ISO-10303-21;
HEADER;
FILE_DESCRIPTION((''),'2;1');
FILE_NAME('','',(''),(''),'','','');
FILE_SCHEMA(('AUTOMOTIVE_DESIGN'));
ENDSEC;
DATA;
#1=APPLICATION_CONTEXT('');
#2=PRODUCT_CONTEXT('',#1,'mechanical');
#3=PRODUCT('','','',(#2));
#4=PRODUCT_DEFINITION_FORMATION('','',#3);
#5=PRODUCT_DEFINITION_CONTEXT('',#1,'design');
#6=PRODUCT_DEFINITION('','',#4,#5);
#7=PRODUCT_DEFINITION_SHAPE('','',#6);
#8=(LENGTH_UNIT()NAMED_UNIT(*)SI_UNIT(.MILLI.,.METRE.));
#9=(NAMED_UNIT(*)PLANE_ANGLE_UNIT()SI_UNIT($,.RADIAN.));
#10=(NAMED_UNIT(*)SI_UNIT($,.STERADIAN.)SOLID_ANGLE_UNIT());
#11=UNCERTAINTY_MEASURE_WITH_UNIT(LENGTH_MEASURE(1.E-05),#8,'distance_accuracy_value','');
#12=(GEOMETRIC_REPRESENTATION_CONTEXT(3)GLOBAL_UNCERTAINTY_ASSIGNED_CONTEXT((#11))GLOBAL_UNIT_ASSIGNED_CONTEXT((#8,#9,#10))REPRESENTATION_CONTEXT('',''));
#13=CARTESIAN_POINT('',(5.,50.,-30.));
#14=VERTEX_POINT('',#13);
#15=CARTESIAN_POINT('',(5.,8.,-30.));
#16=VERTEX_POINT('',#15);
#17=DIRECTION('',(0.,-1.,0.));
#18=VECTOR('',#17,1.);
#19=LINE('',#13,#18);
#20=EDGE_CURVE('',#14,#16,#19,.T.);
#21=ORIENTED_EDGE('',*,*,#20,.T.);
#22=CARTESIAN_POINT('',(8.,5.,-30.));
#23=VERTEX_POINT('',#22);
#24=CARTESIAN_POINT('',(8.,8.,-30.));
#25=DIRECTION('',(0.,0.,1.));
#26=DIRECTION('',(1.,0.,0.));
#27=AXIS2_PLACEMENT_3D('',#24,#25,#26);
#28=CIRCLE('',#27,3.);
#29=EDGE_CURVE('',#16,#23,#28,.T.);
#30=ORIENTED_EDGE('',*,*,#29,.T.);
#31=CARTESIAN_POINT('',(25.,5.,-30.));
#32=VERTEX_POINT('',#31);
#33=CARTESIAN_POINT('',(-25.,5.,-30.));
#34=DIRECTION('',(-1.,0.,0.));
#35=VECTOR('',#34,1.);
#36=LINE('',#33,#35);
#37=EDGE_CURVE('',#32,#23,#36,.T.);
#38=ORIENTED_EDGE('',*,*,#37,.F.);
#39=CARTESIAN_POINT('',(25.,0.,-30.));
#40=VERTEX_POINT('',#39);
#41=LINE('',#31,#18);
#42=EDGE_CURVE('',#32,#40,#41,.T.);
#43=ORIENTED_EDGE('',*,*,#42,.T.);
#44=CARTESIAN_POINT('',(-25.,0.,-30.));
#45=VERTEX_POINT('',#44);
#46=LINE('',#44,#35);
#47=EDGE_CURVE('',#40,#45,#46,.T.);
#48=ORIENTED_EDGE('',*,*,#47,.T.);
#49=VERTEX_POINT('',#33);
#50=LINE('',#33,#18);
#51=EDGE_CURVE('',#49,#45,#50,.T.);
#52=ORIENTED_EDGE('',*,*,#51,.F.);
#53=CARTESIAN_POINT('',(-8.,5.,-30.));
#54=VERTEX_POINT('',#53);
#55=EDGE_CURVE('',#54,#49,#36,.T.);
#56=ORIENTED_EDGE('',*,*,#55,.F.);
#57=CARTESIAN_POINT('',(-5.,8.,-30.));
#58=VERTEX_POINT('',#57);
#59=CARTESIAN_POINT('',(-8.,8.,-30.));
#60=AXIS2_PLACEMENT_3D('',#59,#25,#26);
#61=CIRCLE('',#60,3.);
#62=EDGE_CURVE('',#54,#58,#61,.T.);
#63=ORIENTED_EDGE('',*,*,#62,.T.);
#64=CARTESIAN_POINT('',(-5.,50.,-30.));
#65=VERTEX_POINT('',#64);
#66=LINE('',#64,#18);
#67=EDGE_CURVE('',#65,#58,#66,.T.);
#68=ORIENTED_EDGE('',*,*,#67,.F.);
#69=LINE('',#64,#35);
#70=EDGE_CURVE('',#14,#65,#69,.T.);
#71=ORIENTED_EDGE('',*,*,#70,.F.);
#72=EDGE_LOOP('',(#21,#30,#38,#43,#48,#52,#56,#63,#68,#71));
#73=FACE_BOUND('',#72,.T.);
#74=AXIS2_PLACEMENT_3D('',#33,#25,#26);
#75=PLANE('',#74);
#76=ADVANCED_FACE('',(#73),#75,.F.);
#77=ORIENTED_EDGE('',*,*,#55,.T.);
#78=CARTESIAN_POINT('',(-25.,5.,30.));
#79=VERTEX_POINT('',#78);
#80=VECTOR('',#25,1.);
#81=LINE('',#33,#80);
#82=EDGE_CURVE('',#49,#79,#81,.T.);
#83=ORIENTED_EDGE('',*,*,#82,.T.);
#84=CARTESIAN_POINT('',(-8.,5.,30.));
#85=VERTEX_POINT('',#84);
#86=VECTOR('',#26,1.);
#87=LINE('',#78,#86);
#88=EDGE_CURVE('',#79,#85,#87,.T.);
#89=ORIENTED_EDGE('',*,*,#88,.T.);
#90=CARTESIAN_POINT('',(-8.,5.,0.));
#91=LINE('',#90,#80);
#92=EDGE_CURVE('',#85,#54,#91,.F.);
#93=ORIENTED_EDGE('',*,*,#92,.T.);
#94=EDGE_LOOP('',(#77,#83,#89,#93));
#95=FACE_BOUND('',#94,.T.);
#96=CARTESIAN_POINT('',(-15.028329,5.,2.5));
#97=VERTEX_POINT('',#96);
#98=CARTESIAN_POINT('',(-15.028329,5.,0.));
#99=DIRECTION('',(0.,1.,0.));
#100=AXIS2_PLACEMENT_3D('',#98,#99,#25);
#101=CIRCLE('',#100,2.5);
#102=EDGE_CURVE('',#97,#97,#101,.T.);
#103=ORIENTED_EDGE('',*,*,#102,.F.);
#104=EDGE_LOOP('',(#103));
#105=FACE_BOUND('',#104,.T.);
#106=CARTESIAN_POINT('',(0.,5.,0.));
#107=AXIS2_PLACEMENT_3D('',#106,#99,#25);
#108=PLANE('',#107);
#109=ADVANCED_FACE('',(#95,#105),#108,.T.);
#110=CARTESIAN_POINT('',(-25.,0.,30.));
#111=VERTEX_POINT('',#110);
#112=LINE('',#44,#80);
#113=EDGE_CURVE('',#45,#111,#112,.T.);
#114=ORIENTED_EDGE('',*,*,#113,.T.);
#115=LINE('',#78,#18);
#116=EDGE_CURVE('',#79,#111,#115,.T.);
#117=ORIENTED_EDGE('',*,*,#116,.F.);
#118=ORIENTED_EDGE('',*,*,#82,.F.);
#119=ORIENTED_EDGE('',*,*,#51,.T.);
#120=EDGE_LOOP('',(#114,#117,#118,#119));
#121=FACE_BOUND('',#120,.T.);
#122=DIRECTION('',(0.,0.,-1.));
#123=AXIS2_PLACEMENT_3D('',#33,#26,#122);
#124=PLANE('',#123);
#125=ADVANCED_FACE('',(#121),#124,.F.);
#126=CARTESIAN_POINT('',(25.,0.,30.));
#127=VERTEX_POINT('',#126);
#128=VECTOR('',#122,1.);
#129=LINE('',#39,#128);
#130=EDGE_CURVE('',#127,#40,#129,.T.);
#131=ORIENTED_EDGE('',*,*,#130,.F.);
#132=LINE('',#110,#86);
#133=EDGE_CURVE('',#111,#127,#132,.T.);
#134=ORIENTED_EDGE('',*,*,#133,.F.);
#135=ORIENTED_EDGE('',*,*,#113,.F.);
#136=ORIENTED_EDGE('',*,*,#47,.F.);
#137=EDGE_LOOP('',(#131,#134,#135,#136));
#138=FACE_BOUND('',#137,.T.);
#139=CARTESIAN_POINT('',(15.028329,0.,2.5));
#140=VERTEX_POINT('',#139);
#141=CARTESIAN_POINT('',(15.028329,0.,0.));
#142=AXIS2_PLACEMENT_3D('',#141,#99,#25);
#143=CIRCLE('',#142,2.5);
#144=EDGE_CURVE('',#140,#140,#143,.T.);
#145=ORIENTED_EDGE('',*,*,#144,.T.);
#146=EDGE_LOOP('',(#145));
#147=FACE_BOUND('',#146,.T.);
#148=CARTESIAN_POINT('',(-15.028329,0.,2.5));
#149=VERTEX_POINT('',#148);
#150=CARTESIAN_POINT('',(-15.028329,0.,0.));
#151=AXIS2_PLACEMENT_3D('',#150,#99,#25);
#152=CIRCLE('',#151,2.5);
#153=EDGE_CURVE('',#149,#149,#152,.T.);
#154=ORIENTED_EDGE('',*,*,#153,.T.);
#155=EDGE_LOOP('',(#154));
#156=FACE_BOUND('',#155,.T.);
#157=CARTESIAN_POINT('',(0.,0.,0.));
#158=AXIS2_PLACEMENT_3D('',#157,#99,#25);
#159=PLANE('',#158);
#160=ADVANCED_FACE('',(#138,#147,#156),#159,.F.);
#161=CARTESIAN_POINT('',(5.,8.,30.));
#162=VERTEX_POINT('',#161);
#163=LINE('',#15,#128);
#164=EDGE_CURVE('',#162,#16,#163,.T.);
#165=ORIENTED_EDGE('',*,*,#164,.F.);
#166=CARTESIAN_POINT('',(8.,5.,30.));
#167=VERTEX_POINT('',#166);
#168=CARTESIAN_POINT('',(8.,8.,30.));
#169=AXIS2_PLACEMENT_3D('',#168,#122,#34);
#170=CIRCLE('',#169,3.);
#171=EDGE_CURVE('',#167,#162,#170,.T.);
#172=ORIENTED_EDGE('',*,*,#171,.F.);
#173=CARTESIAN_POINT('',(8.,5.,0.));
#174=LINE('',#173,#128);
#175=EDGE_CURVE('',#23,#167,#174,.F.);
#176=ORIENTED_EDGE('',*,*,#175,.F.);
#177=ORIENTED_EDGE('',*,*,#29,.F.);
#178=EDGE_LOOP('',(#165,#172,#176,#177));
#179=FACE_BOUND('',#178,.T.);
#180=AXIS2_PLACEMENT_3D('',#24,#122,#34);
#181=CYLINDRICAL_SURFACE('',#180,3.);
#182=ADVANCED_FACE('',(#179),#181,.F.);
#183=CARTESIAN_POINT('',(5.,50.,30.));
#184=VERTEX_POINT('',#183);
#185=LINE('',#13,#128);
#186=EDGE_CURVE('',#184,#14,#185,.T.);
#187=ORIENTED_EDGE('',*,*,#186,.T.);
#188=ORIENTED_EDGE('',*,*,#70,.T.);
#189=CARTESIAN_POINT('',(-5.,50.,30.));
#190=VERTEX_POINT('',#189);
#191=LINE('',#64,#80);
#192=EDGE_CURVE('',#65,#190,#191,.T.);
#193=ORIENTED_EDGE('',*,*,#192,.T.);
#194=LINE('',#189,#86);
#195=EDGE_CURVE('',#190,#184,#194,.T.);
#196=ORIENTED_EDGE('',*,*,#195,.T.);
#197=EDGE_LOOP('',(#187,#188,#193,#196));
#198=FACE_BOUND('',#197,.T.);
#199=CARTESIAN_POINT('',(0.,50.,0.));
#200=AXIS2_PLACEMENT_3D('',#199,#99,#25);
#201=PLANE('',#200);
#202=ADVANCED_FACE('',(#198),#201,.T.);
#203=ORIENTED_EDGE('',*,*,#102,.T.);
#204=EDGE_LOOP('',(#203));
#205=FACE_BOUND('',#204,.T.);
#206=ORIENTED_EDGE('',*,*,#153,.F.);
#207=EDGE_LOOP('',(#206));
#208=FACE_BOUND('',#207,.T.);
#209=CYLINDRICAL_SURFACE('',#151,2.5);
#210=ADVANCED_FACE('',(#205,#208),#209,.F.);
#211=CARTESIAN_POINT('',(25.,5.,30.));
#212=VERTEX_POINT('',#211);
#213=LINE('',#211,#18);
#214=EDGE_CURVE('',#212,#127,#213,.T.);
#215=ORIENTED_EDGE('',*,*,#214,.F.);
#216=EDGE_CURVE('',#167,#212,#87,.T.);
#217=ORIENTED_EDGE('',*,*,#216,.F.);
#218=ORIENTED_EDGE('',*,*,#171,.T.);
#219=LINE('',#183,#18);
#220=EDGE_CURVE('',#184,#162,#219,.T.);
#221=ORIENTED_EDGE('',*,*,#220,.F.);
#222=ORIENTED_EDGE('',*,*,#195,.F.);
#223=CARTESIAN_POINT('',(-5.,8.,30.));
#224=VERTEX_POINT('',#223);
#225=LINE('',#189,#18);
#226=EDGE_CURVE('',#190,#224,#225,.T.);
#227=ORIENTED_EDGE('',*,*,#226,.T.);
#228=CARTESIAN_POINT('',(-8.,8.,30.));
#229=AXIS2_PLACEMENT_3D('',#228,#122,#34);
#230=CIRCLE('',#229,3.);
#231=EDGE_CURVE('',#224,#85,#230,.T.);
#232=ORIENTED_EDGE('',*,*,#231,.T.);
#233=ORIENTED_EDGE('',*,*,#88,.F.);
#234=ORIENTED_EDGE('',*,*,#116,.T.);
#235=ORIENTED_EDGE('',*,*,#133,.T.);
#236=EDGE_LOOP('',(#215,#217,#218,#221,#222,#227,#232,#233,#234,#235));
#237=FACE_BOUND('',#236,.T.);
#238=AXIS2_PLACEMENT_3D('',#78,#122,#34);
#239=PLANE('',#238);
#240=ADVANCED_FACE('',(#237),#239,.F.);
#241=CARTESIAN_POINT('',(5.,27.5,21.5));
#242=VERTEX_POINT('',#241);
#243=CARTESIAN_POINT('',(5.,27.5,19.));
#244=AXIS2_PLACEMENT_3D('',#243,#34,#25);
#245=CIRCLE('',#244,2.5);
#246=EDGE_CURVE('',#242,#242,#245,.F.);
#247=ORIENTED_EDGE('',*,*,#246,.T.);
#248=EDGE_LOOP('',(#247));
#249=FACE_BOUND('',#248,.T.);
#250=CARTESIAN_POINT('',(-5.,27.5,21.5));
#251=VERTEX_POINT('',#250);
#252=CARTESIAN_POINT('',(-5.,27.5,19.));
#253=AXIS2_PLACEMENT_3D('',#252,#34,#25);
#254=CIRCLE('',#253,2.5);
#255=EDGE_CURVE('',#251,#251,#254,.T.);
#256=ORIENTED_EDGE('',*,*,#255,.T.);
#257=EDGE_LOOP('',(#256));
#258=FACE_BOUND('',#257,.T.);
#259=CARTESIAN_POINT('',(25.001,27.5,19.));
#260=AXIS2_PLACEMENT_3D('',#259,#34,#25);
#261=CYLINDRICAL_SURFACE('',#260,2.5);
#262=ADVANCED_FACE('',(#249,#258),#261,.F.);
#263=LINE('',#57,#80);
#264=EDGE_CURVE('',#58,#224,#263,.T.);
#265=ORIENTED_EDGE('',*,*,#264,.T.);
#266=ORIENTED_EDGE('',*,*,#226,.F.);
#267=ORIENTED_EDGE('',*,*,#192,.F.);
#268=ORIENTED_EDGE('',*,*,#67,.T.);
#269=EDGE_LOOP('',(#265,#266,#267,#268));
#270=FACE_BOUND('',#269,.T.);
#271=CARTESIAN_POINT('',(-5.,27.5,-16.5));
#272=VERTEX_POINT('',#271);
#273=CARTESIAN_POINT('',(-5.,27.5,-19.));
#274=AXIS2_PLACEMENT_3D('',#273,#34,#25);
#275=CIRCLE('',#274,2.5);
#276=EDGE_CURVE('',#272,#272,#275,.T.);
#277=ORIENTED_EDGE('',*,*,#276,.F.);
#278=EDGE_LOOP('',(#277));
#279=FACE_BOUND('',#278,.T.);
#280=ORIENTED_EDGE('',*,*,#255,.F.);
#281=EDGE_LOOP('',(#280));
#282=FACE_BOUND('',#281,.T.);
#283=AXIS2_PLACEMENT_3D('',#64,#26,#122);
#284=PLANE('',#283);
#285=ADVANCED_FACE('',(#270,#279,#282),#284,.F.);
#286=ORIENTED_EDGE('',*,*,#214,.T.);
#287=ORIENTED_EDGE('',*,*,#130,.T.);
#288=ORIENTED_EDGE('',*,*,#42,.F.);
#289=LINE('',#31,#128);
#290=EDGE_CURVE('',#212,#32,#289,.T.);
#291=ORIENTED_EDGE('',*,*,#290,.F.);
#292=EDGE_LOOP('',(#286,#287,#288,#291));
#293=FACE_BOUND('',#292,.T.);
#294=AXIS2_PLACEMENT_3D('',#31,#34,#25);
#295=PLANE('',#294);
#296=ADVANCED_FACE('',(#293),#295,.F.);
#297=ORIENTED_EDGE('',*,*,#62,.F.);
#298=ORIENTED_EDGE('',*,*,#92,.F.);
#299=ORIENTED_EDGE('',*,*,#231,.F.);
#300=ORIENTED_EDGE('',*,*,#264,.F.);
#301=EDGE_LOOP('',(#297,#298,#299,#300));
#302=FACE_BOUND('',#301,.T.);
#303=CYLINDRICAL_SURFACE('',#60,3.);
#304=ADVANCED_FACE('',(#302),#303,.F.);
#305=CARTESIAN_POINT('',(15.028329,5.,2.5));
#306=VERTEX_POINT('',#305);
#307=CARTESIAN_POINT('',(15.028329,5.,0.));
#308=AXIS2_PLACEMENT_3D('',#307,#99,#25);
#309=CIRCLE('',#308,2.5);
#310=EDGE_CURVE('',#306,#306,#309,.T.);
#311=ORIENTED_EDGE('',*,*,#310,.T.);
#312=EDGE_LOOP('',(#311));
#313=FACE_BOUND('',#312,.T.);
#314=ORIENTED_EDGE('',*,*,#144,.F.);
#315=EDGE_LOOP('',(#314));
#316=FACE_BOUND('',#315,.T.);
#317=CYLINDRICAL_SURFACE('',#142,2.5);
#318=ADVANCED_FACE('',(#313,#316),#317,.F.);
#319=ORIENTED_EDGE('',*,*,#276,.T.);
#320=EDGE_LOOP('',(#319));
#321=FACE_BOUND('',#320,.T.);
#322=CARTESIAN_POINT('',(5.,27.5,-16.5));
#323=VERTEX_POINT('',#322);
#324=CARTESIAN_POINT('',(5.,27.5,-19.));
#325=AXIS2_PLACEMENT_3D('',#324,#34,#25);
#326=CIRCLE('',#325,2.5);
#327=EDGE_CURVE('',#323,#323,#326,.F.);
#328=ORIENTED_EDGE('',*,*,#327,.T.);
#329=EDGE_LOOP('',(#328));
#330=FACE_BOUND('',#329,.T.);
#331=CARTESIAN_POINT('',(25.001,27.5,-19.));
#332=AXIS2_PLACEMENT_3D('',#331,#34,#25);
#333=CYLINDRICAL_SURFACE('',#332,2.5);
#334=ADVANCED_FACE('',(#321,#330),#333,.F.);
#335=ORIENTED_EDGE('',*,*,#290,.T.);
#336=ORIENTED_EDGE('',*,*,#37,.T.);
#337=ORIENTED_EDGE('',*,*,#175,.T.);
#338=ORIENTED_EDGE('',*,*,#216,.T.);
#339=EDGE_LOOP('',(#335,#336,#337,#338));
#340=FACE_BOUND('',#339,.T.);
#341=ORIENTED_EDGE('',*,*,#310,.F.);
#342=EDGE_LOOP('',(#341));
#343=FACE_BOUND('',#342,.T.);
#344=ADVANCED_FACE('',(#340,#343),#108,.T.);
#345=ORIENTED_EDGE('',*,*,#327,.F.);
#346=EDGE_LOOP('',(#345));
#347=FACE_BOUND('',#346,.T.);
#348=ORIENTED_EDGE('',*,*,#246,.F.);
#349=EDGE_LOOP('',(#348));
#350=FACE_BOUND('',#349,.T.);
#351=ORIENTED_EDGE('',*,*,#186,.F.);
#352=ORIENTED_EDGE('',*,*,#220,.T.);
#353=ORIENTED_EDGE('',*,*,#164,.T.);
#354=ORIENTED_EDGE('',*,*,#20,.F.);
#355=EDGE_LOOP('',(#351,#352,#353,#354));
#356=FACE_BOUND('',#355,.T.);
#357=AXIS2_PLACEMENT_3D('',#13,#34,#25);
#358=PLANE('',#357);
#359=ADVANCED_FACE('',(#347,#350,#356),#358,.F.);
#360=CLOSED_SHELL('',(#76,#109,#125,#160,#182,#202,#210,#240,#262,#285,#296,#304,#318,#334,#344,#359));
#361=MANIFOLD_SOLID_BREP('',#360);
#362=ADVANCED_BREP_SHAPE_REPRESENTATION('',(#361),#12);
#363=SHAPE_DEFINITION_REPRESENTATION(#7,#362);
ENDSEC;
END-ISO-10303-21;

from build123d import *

# Parameters (mm, degrees)
SKETCH1_W           = 50
SKETCH1_H           = 60
BOSS_EXTRUDE1_DEPTH = 5
SKETCH2_W           = 10
SKETCH2_H           = 60
BOSS_EXTRUDE2_DEPTH = 45
SKETCH3_R           = 2.5
CUT_EXTRUDE1_DEPTH  = 60.581876439
CUT_EXTRUDE2_REACH  = 67.574
SKETCH5_R           = 2.5
FILLET1_R           = 3


with BuildPart() as part:
    # Sketch1 → Boss-Extrude1 (new body)
    with BuildSketch(Plane(origin=(0, 0, 0), x_dir=(1, 0, 0), z_dir=(0, 1, 0))):
        Rectangle(SKETCH1_W, SKETCH1_H)
    extrude(amount=BOSS_EXTRUDE1_DEPTH)

    # Sketch2 → Boss-Extrude2 (add)
    with BuildSketch(Plane(origin=(0, 5, 0), x_dir=(1, 0, 0), z_dir=(0, 1, 0))):
        Rectangle(SKETCH2_W, SKETCH2_H)
    extrude(amount=BOSS_EXTRUDE2_DEPTH)

    # Sketch3 → Cut-Extrude1 (cut, through all)
    with BuildSketch(Plane(origin=(0, 5, 0), x_dir=(1, 0, 0), z_dir=(0, 1, 0))):
        with Locations(Location((-15.028328695, 0, 0), (0, 0, 270))):
            Circle(SKETCH3_R)
        with Locations(Location((15.028328695, 0, 0), (0, 0, 270))):
            Circle(SKETCH3_R)
    extrude(amount=-CUT_EXTRUDE1_DEPTH, mode=Mode.SUBTRACT)

    # Sketch5 → Cut-Extrude2 (cut, up to next)
    with BuildSketch(Plane.ZY.offset(5), mode=Mode.PRIVATE) as cut_extrude2_sk1:
        with Locations((-19, 27.5)):
            Circle(SKETCH5_R)
    cut_extrude2_tool1 = extrude(cut_extrude2_sk1.sketch, amount=-CUT_EXTRUDE2_REACH, mode=Mode.PRIVATE) & part.part
    # Sketch5 → Cut-Extrude2 (cut, up to next)
    with BuildSketch(Plane.ZY.offset(5), mode=Mode.PRIVATE) as cut_extrude2_sk2:
        with Locations((19, 27.5)):
            Circle(SKETCH5_R)
    cut_extrude2_tool2 = extrude(cut_extrude2_sk2.sketch, amount=-CUT_EXTRUDE2_REACH, mode=Mode.PRIVATE) & part.part
    add(cut_extrude2_tool1.solids().sort_by_distance((-5, 27.5, -19))[0], mode=Mode.SUBTRACT)
    add(cut_extrude2_tool2.solids().sort_by_distance((-5, 27.5, 19))[0], mode=Mode.SUBTRACT)

    # Fillet1
    fillet1_edges = [part.edges().sort_by_distance(p)[0] for p in [
        (5, 5, 0),
        (-5, 5, 0),
    ]]
    fillet(fillet1_edges, radius=FILLET1_R)


solid = part.part
